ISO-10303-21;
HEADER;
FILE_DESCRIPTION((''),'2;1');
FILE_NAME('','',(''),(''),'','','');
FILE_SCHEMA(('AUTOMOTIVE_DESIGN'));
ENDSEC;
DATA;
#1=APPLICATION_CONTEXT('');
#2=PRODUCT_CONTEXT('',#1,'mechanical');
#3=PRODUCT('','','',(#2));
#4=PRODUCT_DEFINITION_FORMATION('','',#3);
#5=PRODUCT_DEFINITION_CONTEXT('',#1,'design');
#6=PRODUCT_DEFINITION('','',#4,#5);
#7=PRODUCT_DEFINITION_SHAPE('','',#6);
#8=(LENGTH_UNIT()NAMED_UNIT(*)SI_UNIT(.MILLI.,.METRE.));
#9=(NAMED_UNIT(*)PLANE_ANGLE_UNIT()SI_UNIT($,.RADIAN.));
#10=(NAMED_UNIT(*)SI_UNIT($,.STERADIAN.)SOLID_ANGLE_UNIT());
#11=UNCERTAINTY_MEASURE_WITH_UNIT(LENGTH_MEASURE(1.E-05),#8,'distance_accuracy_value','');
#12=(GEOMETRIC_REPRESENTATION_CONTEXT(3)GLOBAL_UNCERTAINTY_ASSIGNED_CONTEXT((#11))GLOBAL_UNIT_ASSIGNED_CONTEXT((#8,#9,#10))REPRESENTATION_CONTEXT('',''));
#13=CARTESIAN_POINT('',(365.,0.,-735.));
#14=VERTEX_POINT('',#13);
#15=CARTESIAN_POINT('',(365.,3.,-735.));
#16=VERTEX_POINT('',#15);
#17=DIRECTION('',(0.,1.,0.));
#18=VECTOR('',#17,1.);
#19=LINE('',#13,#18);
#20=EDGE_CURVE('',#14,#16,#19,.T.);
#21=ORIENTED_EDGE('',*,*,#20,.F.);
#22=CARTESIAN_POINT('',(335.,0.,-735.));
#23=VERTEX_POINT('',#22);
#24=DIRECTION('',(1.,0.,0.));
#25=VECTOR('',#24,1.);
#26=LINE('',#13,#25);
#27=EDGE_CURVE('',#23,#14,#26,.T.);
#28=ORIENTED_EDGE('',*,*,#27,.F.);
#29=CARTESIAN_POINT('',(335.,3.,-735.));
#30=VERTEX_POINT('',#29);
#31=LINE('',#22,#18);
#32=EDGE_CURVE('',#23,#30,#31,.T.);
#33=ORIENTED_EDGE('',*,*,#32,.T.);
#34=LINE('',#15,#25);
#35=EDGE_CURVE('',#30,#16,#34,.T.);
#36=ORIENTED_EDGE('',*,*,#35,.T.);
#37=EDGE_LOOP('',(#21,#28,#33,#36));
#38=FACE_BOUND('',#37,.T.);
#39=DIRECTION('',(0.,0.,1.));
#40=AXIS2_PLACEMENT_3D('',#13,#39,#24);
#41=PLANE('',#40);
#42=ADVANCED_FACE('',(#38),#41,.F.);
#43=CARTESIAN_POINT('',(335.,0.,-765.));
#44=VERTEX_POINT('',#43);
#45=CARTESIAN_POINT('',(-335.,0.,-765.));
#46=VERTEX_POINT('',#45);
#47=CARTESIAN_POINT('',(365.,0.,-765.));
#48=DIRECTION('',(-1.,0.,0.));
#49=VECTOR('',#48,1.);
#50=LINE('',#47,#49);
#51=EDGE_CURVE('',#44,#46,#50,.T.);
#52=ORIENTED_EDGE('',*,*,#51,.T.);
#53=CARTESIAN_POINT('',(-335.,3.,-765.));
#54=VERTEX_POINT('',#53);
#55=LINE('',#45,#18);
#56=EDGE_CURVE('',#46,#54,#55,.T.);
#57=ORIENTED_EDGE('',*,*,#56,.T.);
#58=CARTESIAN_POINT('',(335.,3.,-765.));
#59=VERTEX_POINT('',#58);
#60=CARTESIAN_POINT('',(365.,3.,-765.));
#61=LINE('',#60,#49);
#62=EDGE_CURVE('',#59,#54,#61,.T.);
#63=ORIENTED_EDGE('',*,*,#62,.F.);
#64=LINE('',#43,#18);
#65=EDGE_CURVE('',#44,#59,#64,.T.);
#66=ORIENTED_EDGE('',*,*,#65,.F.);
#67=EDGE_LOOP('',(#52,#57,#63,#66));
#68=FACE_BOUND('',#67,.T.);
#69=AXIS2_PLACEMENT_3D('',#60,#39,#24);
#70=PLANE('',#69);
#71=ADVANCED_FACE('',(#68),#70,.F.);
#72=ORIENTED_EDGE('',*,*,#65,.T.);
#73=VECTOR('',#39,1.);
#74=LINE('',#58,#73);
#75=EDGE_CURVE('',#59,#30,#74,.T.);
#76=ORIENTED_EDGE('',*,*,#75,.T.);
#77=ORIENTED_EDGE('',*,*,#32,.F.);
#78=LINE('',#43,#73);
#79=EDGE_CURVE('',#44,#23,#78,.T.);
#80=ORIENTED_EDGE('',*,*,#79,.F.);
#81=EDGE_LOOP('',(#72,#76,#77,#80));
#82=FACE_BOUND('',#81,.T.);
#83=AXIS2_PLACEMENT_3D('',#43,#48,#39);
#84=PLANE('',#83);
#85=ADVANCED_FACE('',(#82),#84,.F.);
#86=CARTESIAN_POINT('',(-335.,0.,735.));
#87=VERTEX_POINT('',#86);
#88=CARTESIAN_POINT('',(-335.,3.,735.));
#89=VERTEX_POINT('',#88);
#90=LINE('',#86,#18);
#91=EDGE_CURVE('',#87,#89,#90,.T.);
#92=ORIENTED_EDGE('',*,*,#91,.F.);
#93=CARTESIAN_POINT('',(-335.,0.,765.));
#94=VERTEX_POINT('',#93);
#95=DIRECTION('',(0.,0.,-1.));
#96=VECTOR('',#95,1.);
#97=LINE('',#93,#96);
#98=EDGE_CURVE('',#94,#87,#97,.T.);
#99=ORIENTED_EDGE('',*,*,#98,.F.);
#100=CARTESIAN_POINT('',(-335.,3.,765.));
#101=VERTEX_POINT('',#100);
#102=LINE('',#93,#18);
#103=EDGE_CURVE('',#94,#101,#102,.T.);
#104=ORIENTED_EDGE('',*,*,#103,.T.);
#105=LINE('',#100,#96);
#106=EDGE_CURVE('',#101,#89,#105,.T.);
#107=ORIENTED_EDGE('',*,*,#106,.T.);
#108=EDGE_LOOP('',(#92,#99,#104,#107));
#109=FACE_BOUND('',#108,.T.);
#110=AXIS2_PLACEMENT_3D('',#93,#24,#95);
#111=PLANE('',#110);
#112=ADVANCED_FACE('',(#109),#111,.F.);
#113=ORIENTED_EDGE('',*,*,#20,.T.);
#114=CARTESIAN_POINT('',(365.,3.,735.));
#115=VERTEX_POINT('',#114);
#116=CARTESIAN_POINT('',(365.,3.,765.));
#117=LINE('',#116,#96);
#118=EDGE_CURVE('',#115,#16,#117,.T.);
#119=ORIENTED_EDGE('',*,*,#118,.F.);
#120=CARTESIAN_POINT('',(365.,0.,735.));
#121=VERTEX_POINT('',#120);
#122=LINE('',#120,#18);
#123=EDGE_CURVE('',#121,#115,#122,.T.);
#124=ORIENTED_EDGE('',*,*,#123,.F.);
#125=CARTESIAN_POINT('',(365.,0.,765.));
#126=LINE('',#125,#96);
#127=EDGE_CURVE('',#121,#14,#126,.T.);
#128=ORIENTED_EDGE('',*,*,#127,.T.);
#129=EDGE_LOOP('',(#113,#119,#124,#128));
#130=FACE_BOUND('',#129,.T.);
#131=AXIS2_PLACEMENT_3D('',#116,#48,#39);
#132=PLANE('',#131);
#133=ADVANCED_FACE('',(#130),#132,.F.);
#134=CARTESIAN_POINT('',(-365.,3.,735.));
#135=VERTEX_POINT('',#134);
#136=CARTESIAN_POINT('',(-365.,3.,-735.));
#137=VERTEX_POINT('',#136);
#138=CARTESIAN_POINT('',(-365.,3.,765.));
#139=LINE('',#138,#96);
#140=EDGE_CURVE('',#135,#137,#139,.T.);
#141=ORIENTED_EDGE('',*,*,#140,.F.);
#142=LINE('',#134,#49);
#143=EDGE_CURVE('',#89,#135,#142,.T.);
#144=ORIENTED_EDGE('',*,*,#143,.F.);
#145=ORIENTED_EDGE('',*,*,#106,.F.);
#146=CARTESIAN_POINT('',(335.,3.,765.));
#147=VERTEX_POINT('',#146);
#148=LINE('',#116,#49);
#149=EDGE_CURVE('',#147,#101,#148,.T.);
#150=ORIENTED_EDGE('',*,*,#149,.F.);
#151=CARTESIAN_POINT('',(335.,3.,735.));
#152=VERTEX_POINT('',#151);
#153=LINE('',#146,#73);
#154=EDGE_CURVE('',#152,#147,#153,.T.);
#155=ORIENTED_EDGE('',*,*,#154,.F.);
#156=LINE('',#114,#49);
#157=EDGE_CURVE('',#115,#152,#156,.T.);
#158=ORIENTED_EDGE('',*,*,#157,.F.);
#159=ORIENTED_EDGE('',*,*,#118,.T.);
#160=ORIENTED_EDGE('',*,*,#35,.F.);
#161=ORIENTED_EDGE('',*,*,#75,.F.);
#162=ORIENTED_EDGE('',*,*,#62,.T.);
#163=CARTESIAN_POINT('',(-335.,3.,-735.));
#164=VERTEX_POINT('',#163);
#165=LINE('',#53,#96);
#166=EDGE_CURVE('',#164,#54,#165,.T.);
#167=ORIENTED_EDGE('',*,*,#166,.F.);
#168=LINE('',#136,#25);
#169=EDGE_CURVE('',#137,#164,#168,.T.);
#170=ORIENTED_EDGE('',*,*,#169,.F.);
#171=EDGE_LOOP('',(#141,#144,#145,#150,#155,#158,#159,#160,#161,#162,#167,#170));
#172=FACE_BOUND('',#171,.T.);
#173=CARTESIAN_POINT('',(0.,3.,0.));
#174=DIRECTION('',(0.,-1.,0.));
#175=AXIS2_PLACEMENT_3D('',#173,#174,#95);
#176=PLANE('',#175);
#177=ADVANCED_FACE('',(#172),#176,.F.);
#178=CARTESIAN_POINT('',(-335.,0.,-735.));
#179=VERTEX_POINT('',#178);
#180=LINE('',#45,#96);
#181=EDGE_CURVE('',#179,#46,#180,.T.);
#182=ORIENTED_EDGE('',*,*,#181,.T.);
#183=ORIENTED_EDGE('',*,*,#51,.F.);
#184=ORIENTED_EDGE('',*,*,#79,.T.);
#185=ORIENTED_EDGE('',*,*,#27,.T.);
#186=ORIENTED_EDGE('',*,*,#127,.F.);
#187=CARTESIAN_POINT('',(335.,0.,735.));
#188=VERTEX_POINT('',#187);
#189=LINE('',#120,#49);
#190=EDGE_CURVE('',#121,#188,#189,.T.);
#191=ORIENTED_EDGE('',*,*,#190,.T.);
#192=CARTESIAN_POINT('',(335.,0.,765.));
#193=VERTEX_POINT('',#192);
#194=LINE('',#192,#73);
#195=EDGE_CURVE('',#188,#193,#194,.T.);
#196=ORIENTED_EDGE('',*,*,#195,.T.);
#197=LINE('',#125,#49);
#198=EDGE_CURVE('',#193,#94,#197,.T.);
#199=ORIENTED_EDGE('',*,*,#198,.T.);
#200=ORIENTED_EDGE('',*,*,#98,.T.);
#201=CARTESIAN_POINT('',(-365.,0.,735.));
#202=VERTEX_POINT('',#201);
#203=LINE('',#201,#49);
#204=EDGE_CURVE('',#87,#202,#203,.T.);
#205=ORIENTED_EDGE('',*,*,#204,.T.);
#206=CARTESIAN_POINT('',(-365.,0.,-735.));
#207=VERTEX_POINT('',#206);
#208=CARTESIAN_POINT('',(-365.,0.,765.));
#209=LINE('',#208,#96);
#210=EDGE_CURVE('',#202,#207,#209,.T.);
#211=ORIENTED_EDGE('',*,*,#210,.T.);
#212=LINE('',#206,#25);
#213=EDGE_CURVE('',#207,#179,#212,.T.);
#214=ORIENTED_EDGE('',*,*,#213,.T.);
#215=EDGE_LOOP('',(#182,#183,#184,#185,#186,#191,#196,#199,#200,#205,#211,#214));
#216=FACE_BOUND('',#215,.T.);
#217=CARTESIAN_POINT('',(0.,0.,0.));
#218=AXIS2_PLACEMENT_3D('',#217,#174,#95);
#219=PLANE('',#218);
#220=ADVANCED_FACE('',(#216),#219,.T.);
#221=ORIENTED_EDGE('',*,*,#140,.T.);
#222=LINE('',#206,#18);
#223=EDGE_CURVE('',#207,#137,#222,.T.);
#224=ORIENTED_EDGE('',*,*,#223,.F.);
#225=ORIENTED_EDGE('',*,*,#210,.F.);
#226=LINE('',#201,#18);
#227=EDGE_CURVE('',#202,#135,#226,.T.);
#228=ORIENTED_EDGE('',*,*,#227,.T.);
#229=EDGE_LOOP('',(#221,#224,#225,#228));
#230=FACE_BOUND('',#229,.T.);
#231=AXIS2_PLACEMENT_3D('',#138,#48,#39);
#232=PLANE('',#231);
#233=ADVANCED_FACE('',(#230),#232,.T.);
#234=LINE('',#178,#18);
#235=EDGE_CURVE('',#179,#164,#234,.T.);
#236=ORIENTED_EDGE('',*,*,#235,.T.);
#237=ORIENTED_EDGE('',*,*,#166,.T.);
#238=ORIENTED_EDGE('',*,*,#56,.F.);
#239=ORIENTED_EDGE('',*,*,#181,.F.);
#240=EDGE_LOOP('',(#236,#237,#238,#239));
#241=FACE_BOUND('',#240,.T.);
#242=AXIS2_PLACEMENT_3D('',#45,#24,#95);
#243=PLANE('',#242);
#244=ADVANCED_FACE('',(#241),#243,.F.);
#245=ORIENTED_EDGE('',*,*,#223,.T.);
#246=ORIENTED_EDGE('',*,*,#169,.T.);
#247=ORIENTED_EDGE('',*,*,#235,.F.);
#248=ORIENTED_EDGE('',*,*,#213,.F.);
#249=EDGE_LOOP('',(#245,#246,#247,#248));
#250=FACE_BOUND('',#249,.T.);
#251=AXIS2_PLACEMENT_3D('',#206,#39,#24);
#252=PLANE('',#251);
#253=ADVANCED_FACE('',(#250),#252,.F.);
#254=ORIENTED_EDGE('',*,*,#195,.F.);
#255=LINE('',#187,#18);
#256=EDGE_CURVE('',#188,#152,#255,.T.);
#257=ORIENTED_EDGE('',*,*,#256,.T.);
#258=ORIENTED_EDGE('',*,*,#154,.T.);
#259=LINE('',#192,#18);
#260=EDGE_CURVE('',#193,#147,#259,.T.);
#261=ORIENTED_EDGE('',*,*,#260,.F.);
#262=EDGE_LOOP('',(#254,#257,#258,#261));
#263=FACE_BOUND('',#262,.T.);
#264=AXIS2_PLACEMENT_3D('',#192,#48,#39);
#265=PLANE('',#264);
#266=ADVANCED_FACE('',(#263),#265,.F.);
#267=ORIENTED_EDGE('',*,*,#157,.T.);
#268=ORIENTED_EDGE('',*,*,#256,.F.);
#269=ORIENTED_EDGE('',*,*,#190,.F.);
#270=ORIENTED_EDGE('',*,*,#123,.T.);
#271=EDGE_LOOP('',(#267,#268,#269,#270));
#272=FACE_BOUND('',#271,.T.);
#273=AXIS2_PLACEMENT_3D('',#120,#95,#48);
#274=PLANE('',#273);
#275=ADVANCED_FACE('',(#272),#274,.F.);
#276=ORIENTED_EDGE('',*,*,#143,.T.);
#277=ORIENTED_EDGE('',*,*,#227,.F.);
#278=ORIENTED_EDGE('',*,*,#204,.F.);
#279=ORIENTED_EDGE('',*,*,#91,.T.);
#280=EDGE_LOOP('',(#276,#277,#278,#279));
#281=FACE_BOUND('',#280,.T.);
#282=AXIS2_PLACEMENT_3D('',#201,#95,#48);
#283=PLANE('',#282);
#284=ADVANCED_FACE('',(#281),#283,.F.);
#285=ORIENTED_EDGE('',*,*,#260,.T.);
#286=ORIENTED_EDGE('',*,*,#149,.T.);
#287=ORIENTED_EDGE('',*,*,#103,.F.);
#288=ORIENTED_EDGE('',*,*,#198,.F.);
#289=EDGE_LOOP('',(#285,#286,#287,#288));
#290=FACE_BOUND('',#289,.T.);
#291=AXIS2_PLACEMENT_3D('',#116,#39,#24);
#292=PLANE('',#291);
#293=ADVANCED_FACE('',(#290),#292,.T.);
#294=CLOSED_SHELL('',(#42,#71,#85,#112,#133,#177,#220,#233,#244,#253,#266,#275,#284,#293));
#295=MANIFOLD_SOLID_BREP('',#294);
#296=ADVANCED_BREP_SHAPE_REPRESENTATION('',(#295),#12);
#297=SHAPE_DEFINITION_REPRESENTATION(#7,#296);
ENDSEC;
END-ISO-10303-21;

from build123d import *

# Parameters (mm, degrees)
CROQUIS1_W              = 730
CROQUIS1_H              = 1530
SALIENTE_EXTRUIR1_DEPTH = 3
CROQUIS2_W              = 30
CROQUIS2_H              = 30
CORTAR_EXTRUIR1_DEPTH   = 848.619608079


with BuildPart() as part:
    # Croquis1 → Saliente-Extruir1 (new body)
    with BuildSketch(Plane(origin=(0, 0, 0), x_dir=(1, 0, 0), z_dir=(0, 1, 0))):
        Rectangle(CROQUIS1_W, CROQUIS1_H)
    extrude(amount=SALIENTE_EXTRUIR1_DEPTH)

    # Croquis2 → Cortar-Extruir1 (cut, through all)
    with BuildSketch(Plane(origin=(0, 3, 0), x_dir=(1, 0, 0), z_dir=(0, 1, 0))):
        with Locations((-350, 750)):
            Rectangle(CROQUIS2_W, CROQUIS2_H)
        with Locations((350, 750)):
            Rectangle(CROQUIS2_W, CROQUIS2_H)
        with Locations((350, -750)):
            Rectangle(CROQUIS2_W, CROQUIS2_H)
        with Locations((-350, -750)):
            Rectangle(CROQUIS2_W, CROQUIS2_H)
    extrude(amount=-CORTAR_EXTRUIR1_DEPTH, mode=Mode.SUBTRACT)


solid = part.part
